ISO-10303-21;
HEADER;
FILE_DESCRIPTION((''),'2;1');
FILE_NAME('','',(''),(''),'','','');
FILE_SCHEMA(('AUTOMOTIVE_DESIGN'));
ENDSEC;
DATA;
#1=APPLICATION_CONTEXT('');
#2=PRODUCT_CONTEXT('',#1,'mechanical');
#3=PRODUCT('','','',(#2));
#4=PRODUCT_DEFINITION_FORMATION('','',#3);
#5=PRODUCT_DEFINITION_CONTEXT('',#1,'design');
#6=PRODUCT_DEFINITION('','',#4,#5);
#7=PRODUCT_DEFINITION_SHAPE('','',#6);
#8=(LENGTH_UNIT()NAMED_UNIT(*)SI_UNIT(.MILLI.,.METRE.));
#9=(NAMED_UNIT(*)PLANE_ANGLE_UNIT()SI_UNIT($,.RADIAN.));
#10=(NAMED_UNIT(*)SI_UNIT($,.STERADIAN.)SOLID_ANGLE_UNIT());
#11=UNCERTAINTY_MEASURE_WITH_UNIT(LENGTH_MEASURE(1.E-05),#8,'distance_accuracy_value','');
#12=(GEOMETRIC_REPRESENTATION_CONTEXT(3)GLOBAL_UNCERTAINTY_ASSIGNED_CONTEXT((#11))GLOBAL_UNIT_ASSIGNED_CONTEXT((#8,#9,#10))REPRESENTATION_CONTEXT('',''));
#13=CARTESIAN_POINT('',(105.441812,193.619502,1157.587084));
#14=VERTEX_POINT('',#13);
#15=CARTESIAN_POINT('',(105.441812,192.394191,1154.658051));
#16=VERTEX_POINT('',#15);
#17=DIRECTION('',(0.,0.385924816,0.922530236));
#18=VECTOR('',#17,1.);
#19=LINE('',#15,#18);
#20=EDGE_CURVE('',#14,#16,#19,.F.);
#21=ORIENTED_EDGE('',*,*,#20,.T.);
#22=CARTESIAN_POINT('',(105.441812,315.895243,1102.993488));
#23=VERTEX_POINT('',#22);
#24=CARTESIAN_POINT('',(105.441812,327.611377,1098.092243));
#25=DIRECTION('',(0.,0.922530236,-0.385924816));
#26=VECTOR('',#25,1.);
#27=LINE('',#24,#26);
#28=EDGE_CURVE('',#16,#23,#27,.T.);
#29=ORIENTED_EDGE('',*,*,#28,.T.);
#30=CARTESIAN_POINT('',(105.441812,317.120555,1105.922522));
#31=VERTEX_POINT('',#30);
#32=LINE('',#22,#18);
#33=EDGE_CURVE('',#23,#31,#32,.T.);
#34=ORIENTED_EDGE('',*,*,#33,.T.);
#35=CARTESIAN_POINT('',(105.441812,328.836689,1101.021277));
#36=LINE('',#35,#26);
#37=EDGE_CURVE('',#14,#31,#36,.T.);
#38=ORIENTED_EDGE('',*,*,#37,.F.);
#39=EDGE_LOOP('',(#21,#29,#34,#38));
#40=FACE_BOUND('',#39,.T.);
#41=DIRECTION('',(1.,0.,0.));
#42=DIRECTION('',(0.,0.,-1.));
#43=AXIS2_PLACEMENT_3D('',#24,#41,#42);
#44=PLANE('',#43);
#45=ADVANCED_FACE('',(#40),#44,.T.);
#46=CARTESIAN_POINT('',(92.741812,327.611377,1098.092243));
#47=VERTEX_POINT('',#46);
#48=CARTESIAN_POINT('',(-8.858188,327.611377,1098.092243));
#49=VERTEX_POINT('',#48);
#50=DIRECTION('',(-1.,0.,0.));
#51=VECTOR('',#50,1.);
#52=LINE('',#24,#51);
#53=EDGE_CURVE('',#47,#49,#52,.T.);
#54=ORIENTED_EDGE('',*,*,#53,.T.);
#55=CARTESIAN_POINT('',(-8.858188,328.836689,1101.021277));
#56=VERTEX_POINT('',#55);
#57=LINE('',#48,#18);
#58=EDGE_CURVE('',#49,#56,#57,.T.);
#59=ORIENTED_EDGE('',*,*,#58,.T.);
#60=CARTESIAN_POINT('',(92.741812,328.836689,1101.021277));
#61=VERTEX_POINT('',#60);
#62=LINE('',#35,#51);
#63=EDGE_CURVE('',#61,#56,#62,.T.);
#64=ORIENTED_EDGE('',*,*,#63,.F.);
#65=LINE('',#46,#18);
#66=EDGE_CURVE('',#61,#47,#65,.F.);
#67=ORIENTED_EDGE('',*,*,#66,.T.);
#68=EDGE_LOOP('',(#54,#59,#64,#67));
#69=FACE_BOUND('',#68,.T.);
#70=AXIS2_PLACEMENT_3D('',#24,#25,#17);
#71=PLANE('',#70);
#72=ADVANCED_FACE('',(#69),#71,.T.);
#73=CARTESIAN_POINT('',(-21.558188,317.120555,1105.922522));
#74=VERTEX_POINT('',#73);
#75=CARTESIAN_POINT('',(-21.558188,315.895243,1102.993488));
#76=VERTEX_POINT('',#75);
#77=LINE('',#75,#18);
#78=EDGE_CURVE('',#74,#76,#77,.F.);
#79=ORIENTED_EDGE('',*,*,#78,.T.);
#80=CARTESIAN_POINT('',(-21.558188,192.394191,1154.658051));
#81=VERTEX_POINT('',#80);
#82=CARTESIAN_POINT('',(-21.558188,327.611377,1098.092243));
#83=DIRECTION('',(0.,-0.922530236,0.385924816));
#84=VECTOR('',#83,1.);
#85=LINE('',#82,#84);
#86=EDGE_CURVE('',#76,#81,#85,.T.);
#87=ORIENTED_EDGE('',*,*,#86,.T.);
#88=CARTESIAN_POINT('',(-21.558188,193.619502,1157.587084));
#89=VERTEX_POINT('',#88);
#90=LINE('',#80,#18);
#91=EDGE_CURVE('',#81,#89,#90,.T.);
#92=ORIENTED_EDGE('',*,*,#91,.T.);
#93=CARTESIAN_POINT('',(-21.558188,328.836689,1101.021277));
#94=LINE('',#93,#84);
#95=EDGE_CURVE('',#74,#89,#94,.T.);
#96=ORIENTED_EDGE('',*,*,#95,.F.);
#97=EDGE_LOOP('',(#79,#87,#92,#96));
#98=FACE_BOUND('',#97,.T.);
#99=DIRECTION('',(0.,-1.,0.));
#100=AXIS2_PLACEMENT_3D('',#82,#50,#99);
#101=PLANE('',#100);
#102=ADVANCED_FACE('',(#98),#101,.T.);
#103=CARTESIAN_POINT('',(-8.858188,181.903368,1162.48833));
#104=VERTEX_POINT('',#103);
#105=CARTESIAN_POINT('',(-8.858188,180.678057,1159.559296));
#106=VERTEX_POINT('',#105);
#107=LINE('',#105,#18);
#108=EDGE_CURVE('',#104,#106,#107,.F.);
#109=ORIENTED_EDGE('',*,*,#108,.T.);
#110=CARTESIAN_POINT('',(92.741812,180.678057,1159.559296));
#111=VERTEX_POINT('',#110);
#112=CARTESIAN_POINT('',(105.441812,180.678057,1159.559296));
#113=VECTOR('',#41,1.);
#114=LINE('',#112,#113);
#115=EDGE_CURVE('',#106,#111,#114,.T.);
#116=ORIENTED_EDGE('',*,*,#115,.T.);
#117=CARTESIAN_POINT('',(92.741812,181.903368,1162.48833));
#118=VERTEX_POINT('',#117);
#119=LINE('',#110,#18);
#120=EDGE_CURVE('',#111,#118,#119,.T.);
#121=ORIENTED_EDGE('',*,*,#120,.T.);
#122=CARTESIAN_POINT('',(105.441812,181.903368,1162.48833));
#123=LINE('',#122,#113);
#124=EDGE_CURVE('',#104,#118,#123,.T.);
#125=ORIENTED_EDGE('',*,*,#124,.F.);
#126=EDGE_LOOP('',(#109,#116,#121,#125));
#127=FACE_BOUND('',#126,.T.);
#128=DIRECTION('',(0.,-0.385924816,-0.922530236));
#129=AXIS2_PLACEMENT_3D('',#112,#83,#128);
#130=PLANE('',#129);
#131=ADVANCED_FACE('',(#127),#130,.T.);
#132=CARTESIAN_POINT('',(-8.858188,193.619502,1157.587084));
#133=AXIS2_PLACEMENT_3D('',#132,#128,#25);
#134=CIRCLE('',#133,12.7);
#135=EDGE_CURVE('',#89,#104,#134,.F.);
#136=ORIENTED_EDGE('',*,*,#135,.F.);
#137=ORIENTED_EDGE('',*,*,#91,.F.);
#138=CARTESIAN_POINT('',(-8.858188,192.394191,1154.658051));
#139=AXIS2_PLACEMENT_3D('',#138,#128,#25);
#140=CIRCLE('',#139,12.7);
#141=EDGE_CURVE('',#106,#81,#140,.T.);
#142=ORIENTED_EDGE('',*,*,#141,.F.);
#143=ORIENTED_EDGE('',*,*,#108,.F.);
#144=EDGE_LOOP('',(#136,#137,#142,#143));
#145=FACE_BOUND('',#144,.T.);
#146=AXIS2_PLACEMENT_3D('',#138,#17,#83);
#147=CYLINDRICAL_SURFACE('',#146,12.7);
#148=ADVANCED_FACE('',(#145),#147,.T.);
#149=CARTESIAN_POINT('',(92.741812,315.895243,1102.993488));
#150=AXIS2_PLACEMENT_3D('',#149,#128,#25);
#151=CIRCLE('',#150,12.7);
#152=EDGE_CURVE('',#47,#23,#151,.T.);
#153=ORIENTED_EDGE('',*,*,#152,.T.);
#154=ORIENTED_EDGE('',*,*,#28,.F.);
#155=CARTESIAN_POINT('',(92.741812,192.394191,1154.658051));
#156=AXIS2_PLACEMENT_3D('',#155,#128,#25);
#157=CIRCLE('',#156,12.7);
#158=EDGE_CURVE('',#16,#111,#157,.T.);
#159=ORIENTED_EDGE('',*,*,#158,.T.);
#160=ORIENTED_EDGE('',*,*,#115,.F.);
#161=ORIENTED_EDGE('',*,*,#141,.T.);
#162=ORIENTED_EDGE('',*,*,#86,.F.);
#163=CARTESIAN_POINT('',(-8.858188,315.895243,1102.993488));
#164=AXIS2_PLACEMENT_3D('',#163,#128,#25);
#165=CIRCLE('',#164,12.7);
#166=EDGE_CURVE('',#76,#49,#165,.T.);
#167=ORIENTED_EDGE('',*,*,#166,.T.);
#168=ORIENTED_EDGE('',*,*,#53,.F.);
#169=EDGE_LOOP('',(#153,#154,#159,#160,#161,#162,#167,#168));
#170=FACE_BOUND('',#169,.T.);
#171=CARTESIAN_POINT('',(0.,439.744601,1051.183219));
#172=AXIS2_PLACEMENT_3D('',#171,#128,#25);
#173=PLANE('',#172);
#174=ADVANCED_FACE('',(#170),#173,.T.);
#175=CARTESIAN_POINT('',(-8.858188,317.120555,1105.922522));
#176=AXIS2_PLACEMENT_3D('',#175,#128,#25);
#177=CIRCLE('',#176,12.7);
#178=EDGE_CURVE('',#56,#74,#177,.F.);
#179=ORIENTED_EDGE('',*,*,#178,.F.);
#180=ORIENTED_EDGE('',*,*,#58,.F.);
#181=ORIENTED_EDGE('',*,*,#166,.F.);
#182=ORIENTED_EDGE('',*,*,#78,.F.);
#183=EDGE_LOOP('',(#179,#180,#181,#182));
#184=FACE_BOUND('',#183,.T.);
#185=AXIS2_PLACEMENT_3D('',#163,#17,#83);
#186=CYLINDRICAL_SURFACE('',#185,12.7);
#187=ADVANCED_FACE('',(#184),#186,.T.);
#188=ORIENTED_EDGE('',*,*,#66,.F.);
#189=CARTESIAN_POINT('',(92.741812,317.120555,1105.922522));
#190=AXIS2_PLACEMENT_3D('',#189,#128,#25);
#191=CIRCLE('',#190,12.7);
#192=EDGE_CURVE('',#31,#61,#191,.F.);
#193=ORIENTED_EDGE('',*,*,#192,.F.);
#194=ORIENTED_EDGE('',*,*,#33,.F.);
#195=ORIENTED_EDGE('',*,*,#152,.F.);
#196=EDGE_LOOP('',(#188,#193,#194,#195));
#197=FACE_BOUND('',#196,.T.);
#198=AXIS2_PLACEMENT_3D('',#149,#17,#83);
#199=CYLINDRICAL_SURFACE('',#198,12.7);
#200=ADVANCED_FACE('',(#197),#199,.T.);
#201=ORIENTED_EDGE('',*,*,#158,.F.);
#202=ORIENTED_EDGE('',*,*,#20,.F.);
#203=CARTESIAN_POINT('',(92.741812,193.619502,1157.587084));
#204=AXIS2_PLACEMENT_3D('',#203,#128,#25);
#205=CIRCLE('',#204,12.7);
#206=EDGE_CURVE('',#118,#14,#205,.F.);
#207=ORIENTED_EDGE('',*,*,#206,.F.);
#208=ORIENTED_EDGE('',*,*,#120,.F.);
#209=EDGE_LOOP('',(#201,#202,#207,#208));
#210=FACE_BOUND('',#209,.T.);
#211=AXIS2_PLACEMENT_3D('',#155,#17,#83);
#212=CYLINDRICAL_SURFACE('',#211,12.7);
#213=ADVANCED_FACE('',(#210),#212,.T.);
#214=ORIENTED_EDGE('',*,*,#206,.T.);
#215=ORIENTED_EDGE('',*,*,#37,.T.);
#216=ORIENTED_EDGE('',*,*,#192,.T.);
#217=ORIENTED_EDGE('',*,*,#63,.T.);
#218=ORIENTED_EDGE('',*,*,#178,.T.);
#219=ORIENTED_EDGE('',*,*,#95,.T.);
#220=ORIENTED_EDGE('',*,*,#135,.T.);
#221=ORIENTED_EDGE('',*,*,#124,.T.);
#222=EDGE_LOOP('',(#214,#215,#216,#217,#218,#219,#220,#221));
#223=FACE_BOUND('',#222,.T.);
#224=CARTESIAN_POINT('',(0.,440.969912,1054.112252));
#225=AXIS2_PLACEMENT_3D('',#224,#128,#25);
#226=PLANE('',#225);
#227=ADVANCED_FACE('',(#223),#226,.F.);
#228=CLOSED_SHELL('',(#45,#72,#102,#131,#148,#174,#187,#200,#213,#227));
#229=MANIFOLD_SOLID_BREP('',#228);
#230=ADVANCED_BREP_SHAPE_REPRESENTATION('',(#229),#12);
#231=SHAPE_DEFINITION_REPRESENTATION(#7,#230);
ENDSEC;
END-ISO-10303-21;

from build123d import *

# Parameters (mm, degrees)
BOSS_EXTRUDE1_START = 0.127
SKETCH1_W           = 127
SKETCH1_H           = 159.272092158
BOSS_EXTRUDE1_DEPTH = 3.175
FILLET1_R           = 12.7


with BuildPart() as part:
    # Sketch1 → Boss-Extrude1 (new body)
    with BuildSketch(Plane(origin=(0, 439.695588184, 1051.066057307), x_dir=(1, 0, 0), z_dir=(0, 0.3859248159835972, 0.9225302360400046)).offset(BOSS_EXTRUDE1_START)):
        with Locations((41.941812484, -201.185691755)):
            Rectangle(SKETCH1_W, SKETCH1_H)
    extrude(amount=BOSS_EXTRUDE1_DEPTH)

    # Fillet1
    fillet1_edges = [part.edges().sort_by_distance(p)[0] for p in [
        (105.441812484, 181.290712191, 1161.023812894),
        (-21.558187516, 181.290712191, 1161.023812894),
        (-21.558187516, 328.224032965, 1099.556760037),
        (105.441812484, 328.224032965, 1099.556760037),
    ]]
    fillet(fillet1_edges, radius=FILLET1_R)


solid = part.part
